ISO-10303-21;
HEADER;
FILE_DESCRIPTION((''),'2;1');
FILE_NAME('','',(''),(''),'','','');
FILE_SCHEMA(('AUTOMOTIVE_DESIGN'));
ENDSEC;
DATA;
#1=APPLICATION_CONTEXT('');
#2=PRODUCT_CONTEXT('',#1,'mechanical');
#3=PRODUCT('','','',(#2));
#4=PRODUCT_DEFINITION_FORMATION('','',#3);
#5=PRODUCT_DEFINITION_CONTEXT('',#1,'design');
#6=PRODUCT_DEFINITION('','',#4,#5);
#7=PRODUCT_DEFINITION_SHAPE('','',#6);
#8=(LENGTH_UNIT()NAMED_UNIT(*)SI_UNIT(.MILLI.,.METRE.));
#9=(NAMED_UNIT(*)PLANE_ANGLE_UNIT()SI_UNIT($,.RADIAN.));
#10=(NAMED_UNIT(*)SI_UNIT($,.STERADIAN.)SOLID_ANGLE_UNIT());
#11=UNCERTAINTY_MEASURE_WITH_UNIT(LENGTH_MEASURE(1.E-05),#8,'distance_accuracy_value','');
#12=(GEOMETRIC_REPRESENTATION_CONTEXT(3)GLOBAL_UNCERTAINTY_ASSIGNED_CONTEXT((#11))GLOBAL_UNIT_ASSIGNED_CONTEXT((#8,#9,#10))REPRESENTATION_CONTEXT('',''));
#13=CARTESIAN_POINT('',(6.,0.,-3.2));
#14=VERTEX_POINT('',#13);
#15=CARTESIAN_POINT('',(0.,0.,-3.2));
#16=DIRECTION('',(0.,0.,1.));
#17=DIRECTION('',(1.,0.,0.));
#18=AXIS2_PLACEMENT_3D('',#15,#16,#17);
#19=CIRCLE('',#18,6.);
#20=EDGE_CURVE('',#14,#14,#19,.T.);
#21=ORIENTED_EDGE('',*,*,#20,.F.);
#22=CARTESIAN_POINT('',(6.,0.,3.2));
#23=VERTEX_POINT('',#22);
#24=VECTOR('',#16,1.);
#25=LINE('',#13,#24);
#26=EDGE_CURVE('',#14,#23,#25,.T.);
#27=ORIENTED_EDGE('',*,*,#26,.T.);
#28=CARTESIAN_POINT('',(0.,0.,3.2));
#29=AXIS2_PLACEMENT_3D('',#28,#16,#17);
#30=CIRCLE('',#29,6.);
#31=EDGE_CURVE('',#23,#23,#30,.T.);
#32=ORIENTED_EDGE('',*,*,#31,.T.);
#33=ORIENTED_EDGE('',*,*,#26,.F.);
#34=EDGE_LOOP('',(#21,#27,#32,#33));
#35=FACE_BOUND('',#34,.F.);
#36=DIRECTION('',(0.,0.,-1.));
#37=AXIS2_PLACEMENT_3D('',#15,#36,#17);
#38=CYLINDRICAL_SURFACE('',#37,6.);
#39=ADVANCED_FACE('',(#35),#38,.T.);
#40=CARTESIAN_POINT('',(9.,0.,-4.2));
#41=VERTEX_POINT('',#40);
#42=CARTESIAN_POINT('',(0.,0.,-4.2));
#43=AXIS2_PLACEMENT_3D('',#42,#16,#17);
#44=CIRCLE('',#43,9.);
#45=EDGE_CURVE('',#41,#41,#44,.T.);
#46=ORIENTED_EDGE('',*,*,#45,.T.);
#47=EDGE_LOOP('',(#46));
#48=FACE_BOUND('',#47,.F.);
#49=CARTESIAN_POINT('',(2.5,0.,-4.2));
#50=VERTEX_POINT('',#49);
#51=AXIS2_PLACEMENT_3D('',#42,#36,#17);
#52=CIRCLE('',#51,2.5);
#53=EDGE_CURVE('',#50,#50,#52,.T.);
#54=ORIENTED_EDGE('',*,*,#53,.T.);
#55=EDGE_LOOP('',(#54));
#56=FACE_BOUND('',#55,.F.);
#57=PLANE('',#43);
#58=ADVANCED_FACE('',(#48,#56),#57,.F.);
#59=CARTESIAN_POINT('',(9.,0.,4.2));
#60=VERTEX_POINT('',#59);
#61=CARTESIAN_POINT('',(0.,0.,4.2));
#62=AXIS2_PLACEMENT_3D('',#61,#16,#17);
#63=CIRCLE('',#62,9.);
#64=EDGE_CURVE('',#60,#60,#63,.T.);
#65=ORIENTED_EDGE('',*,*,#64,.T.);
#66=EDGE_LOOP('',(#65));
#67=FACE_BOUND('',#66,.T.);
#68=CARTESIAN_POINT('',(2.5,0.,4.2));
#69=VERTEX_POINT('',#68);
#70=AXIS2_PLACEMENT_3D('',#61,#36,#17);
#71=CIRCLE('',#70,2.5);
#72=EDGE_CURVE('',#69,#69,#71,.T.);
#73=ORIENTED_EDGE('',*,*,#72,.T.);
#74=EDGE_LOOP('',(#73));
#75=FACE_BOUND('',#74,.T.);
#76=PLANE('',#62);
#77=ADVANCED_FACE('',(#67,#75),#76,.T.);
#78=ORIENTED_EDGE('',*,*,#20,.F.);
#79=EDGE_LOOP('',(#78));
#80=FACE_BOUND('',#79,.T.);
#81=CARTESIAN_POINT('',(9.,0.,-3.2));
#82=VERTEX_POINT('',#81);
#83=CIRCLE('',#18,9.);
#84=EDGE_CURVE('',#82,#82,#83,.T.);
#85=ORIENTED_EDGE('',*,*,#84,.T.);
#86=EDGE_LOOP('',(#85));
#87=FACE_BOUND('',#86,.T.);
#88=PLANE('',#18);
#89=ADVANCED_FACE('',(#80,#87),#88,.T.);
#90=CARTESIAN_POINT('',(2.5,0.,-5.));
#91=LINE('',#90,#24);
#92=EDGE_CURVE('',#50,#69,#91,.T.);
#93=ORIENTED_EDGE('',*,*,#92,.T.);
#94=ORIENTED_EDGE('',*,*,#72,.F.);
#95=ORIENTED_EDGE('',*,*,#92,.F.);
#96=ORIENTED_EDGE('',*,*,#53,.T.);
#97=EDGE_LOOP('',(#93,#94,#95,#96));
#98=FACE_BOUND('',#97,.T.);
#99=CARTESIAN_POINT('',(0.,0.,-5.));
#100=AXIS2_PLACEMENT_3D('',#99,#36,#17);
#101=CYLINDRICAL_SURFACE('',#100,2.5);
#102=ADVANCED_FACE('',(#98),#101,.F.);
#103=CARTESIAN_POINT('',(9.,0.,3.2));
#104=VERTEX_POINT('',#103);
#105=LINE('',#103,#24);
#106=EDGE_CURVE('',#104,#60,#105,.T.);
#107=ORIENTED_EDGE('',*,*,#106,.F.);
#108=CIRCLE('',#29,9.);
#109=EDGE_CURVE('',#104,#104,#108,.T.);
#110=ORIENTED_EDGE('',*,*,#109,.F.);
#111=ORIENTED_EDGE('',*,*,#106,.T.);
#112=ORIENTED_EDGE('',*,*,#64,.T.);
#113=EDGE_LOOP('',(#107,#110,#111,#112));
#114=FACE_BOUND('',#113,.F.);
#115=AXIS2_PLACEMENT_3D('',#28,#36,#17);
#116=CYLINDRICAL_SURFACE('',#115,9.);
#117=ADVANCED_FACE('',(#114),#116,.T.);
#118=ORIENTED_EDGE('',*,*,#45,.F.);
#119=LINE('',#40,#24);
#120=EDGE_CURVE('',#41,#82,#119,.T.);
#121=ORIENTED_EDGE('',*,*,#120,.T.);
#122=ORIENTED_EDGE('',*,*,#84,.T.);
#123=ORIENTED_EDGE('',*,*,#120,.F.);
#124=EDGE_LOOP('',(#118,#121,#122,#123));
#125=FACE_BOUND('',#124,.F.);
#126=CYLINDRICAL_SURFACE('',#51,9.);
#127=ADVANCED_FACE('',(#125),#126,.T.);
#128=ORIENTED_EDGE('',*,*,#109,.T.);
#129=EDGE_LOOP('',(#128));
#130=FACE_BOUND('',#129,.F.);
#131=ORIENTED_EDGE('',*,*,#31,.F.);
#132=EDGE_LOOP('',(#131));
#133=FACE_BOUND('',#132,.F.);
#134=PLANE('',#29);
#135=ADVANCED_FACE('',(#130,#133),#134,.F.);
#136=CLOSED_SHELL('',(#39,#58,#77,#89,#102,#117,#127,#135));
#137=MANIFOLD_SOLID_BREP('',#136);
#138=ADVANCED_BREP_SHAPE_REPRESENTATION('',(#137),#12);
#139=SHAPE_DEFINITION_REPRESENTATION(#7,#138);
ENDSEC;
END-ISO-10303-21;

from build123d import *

# Parameters (mm, degrees)
CYLINDER003_R     = 2.5
CYLINDER003_DEPTH = 10
CYLINDER001_R     = 9
CYLINDER001_DEPTH = 1
CYLINDER_R        = 6
CYLINDER_DEPTH    = 6.4
CYLINDER002_R     = 9
CYLINDER002_DEPTH = 1


with BuildPart() as cilindro003:
    # Cylinder003 → Cylinder003 (new body)
    with BuildSketch(Plane.XY.offset(-5)):
        Circle(CYLINDER003_R)
    extrude(amount=CYLINDER003_DEPTH)


with BuildPart() as cilindro001:
    # Cylinder001 → Cylinder001 (new body)
    with BuildSketch(Plane.XY.offset(3.2)):
        Circle(CYLINDER001_R)
    extrude(amount=CYLINDER001_DEPTH)


with BuildPart() as fusion:
    # Cylinder → Cylinder (new body)
    with BuildSketch(Plane.XY.offset(-3.2)):
        Circle(CYLINDER_R)
    extrude(amount=CYLINDER_DEPTH)

    # Fusion: union Cilindro001
    add(cilindro001.part)


with BuildPart() as pulley:
    # Cylinder002 → Cylinder002 (new body)
    with BuildSketch(Plane.XY.offset(-4.2)):
        Circle(CYLINDER002_R)
    extrude(amount=CYLINDER002_DEPTH)

    # Fusion001: union Fusion
    add(fusion.part)

    # Cut: cut Cilindro003
    add(cilindro003.part, mode=Mode.SUBTRACT)


solid = pulley.part
